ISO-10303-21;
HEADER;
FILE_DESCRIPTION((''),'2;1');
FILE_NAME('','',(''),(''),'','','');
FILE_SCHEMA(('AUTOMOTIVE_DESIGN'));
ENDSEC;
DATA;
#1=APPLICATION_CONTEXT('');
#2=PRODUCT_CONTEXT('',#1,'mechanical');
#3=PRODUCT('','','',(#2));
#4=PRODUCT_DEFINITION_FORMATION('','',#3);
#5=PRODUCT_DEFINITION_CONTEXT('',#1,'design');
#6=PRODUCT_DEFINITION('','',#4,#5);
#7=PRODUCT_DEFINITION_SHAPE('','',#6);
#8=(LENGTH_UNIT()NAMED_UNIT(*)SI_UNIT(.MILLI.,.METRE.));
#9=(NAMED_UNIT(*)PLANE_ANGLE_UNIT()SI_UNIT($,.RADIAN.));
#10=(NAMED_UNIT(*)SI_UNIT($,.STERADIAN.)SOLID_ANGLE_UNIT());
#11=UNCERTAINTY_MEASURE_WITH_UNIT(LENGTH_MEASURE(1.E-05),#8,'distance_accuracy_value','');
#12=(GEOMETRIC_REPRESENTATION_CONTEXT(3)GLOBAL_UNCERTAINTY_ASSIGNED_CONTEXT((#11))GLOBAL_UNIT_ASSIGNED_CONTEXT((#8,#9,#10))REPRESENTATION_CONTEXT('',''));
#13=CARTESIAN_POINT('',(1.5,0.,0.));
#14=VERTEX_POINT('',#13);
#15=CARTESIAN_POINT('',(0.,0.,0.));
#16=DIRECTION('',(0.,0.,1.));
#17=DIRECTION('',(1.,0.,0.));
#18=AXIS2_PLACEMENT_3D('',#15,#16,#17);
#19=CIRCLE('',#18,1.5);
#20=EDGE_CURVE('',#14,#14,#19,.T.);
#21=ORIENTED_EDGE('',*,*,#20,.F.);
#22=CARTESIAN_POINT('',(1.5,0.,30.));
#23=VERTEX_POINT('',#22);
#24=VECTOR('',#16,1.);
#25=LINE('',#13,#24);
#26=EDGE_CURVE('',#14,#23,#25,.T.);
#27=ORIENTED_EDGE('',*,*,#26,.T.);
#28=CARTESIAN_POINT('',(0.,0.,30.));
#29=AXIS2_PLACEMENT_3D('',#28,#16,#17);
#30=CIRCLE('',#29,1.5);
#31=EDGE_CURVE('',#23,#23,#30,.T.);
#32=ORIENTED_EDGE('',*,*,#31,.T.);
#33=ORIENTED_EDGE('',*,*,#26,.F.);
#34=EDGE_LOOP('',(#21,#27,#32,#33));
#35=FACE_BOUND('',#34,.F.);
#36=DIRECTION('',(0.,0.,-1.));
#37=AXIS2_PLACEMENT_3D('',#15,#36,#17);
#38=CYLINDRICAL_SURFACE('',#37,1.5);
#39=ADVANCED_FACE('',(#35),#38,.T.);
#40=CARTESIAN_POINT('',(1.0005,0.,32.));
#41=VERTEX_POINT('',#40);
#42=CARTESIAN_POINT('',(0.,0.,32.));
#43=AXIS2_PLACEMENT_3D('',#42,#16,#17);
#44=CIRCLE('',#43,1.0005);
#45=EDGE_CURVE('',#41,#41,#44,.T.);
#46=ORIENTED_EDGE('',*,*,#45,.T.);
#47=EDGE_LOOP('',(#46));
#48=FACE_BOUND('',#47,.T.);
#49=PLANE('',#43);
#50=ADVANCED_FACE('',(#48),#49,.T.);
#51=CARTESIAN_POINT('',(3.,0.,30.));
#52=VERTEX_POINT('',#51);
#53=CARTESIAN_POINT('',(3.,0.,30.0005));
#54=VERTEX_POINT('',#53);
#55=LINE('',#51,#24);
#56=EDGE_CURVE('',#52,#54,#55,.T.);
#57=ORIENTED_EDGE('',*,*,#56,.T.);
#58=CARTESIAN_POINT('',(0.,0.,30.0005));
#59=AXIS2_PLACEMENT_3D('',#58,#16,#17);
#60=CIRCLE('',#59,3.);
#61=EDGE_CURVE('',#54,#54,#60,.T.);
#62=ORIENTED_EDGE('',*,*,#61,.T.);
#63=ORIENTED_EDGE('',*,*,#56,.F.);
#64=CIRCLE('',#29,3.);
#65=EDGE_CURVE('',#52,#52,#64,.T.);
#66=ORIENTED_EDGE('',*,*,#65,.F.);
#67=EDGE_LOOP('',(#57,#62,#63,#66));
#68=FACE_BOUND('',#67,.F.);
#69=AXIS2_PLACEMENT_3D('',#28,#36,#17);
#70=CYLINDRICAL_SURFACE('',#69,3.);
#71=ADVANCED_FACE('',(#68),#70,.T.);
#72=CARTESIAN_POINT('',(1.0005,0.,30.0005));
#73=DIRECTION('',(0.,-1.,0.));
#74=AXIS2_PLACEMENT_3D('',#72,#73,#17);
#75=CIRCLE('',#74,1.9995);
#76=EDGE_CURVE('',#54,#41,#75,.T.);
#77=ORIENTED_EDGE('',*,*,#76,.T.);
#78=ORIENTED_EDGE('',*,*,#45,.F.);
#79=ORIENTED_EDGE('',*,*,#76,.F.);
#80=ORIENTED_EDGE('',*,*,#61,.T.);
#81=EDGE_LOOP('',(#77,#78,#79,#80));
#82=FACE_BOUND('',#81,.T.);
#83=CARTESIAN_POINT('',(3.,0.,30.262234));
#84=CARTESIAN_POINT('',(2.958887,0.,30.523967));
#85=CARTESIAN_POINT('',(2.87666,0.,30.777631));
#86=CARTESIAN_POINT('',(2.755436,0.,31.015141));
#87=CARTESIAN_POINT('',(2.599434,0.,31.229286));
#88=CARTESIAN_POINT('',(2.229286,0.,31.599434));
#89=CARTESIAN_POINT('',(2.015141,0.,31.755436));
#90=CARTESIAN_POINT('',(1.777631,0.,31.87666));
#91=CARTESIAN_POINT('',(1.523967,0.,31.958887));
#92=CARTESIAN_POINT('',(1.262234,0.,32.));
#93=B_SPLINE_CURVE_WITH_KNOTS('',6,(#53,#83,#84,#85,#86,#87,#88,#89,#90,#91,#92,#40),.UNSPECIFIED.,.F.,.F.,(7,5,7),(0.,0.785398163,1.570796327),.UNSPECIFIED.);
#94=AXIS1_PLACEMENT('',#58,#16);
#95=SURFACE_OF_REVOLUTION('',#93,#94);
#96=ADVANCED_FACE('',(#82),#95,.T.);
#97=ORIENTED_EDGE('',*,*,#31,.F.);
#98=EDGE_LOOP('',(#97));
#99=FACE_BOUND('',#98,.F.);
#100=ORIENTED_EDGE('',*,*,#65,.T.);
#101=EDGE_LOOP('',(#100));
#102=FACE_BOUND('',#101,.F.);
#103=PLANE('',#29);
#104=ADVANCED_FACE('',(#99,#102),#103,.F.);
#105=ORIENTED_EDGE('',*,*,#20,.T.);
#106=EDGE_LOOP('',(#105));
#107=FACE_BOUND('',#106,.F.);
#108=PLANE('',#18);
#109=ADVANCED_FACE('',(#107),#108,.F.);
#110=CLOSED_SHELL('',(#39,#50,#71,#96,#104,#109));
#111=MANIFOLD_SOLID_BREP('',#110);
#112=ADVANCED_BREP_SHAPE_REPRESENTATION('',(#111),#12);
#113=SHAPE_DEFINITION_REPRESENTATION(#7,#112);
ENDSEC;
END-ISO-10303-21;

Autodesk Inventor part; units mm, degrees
ref_plane "YZ Plane" through (0, 0, 0) normal (1, 0, 0) x (0, 1, 0)
ref_plane "XZ Plane" through (0, 0, 0) normal (0, 1, 0) x (-1, 0, 0)
ref_plane "XY Plane" through (0, 0, 0) normal (0, 0, 1) x (1, 0, 0)
sketch "スケッチ1" plane through (0, 0, 0) normal (0, 0, 1) x (1, 0, 0)
  circle A0 centre (0, 0) radius 1.5
  dimension "d0" = 3
extrude "押し出し1" add sketch "スケッチ1" along normal blind 30
sketch "スケッチ2" plane through (0, 0, 30) normal (0, 0, 1) x (1, 0, 0)
  circle A0 centre (0, 0) radius 1.5 projected
  circle A1 centre (0, 0) radius 3
  dimension "d3" = 6
extrude "押し出し2" add sketch "スケッチ2" along normal blind 2 contours A0 | A1
fillet "フィレット1" radius 2 1 edges at (-3, 0, 32)
properties part number "M3ボタンボルト15" material "鋼、高強度、低合金"
